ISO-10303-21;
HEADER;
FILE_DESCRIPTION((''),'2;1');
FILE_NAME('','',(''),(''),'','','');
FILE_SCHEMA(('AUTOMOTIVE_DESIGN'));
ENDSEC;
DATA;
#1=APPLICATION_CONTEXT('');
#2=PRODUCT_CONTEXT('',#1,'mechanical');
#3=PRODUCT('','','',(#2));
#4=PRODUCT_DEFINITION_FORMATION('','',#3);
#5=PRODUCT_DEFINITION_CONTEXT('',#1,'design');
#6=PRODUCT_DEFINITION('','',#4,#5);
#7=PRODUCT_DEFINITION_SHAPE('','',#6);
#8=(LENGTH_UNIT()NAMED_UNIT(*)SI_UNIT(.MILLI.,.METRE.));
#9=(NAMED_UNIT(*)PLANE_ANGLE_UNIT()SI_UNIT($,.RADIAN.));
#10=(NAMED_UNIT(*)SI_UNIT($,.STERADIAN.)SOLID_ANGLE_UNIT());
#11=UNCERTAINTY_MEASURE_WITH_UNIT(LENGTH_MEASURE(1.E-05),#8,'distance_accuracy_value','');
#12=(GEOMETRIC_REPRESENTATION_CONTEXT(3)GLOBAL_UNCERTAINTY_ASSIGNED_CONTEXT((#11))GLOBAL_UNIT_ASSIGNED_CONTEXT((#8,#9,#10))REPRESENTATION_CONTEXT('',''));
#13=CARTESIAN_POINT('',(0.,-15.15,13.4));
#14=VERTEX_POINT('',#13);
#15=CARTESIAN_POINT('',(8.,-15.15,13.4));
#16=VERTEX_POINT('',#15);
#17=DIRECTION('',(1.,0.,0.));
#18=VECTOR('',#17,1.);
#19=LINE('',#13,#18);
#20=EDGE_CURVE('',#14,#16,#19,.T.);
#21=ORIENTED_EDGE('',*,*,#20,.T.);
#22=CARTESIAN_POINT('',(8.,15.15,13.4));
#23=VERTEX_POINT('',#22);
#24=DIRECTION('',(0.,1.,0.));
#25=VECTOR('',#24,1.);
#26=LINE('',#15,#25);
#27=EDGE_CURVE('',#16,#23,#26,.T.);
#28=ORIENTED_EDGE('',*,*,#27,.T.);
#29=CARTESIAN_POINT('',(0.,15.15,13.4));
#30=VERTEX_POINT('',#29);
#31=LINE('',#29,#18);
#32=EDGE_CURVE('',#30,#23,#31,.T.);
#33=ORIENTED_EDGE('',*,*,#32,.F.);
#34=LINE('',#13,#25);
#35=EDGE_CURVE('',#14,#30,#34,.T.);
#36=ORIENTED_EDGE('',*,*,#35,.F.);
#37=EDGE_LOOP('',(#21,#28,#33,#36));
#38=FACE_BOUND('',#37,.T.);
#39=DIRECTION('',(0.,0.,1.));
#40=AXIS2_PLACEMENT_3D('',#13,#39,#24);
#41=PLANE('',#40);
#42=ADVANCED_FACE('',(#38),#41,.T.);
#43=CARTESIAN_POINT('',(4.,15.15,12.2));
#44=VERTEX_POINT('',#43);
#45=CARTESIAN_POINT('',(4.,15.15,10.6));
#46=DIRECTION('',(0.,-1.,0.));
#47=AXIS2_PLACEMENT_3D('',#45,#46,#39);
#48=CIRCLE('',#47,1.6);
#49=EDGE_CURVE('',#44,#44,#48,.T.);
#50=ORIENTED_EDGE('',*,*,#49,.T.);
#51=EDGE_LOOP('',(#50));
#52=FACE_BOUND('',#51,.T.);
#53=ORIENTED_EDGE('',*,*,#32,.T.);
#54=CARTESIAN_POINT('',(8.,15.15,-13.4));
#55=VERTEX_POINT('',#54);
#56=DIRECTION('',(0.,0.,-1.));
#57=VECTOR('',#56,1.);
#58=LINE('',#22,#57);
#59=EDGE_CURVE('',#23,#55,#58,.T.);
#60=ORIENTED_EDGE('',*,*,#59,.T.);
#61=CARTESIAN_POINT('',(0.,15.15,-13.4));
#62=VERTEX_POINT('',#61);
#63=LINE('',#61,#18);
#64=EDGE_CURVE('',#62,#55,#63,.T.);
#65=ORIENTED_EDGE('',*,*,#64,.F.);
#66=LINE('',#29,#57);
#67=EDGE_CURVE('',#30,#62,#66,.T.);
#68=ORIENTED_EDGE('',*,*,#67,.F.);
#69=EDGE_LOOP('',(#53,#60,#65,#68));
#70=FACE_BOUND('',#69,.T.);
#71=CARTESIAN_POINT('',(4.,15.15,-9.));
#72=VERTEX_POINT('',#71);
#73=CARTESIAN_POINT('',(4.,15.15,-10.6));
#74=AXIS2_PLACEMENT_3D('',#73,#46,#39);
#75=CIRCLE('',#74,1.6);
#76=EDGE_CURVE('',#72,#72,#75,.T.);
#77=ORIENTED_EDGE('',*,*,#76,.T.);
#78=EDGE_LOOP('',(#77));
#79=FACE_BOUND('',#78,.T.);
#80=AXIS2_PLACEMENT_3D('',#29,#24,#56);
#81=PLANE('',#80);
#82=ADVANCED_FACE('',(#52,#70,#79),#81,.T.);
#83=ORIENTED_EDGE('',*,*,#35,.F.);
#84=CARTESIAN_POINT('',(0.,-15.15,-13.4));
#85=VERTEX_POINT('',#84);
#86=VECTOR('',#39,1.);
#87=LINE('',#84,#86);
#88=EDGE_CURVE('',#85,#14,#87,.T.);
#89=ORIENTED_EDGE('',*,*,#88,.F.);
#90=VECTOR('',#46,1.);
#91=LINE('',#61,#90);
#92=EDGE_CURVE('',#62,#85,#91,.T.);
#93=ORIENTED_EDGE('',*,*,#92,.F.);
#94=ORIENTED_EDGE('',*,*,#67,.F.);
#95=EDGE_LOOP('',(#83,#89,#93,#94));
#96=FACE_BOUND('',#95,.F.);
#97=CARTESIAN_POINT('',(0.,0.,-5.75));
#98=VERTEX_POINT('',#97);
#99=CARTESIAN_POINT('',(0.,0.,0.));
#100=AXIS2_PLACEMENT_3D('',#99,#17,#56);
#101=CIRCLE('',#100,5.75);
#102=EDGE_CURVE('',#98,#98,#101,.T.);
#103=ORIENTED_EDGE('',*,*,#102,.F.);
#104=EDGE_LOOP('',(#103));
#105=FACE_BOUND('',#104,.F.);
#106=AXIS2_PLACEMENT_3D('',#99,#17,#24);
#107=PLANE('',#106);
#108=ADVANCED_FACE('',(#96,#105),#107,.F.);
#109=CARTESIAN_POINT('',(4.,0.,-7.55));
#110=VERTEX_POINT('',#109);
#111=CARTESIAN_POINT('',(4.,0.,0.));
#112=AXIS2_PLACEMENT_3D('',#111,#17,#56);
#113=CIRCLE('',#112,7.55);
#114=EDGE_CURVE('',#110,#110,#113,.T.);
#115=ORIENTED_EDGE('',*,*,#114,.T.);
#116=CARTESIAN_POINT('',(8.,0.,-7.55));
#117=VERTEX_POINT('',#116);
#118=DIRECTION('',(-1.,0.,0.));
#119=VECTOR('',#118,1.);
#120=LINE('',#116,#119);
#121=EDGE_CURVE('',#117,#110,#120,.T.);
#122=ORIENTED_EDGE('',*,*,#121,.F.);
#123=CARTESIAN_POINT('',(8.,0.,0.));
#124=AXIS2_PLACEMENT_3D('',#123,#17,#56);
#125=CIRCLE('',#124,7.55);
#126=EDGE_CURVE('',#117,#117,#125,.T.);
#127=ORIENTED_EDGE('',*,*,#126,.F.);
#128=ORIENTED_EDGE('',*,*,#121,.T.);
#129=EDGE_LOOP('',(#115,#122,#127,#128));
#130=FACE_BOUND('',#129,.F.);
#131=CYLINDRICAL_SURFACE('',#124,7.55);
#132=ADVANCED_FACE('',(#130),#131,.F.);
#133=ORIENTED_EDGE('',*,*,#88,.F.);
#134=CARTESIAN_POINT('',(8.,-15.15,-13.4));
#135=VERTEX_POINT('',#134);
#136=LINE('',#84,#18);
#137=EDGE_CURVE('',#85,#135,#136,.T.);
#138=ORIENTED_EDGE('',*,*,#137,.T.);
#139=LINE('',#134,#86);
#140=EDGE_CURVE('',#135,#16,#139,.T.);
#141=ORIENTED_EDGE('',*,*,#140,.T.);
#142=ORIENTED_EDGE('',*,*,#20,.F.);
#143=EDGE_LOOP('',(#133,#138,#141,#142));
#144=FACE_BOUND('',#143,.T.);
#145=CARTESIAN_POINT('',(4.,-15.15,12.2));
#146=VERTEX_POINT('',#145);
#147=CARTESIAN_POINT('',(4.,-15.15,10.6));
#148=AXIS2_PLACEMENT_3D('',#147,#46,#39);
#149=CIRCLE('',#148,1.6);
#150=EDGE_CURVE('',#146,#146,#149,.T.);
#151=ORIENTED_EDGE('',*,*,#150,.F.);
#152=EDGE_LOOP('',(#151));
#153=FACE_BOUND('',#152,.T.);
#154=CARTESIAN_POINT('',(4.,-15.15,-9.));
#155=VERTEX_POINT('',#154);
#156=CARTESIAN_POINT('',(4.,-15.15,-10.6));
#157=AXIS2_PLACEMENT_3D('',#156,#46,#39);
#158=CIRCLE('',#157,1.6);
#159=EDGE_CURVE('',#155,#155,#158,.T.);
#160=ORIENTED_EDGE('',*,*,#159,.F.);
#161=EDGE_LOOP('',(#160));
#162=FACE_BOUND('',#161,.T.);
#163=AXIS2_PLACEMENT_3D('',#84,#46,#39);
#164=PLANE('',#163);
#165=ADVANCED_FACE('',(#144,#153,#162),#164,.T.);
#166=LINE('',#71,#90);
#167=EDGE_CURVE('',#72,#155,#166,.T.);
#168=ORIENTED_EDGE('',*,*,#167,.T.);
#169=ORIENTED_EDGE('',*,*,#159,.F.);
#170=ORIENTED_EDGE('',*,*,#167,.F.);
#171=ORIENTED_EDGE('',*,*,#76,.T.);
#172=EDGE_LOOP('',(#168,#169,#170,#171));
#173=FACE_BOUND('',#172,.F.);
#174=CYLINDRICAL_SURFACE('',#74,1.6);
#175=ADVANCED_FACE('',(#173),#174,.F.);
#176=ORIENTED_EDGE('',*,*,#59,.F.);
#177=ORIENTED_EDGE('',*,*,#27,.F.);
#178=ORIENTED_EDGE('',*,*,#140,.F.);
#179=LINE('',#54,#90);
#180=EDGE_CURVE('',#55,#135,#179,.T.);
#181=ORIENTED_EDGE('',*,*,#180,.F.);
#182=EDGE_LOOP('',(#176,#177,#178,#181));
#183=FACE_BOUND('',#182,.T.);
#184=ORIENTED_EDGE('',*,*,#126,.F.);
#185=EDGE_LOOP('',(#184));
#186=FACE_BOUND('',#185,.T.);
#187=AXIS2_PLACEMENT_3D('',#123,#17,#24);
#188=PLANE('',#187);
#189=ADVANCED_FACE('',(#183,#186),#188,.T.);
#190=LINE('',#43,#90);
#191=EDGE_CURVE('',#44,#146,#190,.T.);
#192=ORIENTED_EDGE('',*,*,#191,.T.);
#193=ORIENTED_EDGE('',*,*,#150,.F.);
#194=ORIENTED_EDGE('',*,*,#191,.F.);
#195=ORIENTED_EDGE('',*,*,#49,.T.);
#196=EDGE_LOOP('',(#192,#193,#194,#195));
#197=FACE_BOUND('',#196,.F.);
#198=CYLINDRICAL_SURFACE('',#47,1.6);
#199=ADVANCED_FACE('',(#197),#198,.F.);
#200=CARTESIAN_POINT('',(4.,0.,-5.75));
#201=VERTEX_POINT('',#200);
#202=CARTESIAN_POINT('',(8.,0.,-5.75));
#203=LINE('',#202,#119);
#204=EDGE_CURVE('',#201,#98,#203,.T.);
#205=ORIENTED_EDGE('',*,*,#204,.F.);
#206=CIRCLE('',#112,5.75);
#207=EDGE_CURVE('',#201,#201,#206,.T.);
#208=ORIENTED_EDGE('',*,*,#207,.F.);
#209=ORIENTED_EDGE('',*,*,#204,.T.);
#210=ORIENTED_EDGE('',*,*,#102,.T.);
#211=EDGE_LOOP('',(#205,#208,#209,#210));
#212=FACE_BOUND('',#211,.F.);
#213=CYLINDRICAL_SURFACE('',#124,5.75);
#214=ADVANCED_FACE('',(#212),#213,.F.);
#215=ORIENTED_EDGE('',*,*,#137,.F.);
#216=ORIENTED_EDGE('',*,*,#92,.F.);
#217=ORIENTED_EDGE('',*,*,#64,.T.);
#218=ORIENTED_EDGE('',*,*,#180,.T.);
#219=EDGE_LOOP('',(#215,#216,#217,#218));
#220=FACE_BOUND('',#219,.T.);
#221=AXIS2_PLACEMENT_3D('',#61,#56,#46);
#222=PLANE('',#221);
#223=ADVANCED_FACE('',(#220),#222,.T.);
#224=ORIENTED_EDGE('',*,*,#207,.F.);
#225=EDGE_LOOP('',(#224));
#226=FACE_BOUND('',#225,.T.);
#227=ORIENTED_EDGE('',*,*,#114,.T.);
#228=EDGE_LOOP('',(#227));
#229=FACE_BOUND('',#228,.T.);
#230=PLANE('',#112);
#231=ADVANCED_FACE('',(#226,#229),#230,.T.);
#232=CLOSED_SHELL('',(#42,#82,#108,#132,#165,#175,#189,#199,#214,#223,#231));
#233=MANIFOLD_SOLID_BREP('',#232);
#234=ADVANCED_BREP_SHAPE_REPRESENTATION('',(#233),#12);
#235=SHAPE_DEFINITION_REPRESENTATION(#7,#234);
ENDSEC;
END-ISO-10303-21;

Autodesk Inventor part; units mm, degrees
ref_plane "YZ Plane" through (0, 0, 0) normal (1, 0, 0) x (0, 1, 0)
ref_plane "XZ Plane" through (0, 0, 0) normal (0, 1, 0) x (-1, 0, 0)
ref_plane "XY Plane" through (0, 0, 0) normal (0, 0, 1) x (1, 0, 0)
sketch "Эскиз1" plane through (0, 0, 0) normal (1, 0, 0) x (0, 1, 0)
  line L0 (-15.15, 13.4) -> (15.15, 13.4)
  line L1 (15.15, 13.4) -> (15.15, -13.4)
  line L2 (15.15, -13.4) -> (-15.15, -13.4)
  line L3 (-15.15, -13.4) -> (-15.15, 13.4)
  line L4 (-15.15, 13.4) -> (15.15, -13.4) construction
  line L5 (15.15, 13.4) -> (-15.15, -13.4) construction
  point P0 (0, 0)
  dimension "d0" = 30.3
  dimension "d1" = 26.8
extrude "Выдавливание1" add sketch "Эскиз1" along normal blind 8
sketch "Эскиз2" plane through (0, 15.15, 13.4) normal (0, 1, 0) x (1, 0, 0)
  line L0 (4, 2.8) -> (4, 24)
  line L1 (0, 13.4) -> (8, 13.4)
  line L2 (0, 26.8) -> (0, 0) projected
  line L3 (8, 26.8) -> (8, 0) projected
  point P0 (0, 13.4)
  point P1 (4, 13.4)
  dimension "d4" = 21.2
hole "Отверстие1" at (4, 15.15, 10.6) at (4, 15.15, -10.6) direction (0, -1, 0) diameter 3.2 end through all
sketch "Эскиз3" plane through (8, 0, 0) normal (1, 0, 0) x (0, 0, -1)
  line L0 (13.4, 15.15) -> (-13.4, 15.15) projected
  line L1 (-13.4, -15.15) -> (13.4, -15.15) projected
  line L2 (-13.4, 15.15) -> (13.4, -15.15)
  circle A0 centre (0, 0) radius 5.75
  dimension "d12" = 11.5
extrude "Выдавливание2" cut sketch "Эскиз3" against normal through all
sketch "Эскиз4" plane through (8, 0, 0) normal (1, 0, 0) x (0, 0, -1)
  circle A0 centre (0, 0) radius 5.75 projected
  circle A1 centre (0, 0) radius 7.55
  dimension "d15" = 15.1
extrude "Выдавливание3" cut sketch "Эскиз4" against normal blind 4 contours A0 | A1
properties part number "Differential mount"
